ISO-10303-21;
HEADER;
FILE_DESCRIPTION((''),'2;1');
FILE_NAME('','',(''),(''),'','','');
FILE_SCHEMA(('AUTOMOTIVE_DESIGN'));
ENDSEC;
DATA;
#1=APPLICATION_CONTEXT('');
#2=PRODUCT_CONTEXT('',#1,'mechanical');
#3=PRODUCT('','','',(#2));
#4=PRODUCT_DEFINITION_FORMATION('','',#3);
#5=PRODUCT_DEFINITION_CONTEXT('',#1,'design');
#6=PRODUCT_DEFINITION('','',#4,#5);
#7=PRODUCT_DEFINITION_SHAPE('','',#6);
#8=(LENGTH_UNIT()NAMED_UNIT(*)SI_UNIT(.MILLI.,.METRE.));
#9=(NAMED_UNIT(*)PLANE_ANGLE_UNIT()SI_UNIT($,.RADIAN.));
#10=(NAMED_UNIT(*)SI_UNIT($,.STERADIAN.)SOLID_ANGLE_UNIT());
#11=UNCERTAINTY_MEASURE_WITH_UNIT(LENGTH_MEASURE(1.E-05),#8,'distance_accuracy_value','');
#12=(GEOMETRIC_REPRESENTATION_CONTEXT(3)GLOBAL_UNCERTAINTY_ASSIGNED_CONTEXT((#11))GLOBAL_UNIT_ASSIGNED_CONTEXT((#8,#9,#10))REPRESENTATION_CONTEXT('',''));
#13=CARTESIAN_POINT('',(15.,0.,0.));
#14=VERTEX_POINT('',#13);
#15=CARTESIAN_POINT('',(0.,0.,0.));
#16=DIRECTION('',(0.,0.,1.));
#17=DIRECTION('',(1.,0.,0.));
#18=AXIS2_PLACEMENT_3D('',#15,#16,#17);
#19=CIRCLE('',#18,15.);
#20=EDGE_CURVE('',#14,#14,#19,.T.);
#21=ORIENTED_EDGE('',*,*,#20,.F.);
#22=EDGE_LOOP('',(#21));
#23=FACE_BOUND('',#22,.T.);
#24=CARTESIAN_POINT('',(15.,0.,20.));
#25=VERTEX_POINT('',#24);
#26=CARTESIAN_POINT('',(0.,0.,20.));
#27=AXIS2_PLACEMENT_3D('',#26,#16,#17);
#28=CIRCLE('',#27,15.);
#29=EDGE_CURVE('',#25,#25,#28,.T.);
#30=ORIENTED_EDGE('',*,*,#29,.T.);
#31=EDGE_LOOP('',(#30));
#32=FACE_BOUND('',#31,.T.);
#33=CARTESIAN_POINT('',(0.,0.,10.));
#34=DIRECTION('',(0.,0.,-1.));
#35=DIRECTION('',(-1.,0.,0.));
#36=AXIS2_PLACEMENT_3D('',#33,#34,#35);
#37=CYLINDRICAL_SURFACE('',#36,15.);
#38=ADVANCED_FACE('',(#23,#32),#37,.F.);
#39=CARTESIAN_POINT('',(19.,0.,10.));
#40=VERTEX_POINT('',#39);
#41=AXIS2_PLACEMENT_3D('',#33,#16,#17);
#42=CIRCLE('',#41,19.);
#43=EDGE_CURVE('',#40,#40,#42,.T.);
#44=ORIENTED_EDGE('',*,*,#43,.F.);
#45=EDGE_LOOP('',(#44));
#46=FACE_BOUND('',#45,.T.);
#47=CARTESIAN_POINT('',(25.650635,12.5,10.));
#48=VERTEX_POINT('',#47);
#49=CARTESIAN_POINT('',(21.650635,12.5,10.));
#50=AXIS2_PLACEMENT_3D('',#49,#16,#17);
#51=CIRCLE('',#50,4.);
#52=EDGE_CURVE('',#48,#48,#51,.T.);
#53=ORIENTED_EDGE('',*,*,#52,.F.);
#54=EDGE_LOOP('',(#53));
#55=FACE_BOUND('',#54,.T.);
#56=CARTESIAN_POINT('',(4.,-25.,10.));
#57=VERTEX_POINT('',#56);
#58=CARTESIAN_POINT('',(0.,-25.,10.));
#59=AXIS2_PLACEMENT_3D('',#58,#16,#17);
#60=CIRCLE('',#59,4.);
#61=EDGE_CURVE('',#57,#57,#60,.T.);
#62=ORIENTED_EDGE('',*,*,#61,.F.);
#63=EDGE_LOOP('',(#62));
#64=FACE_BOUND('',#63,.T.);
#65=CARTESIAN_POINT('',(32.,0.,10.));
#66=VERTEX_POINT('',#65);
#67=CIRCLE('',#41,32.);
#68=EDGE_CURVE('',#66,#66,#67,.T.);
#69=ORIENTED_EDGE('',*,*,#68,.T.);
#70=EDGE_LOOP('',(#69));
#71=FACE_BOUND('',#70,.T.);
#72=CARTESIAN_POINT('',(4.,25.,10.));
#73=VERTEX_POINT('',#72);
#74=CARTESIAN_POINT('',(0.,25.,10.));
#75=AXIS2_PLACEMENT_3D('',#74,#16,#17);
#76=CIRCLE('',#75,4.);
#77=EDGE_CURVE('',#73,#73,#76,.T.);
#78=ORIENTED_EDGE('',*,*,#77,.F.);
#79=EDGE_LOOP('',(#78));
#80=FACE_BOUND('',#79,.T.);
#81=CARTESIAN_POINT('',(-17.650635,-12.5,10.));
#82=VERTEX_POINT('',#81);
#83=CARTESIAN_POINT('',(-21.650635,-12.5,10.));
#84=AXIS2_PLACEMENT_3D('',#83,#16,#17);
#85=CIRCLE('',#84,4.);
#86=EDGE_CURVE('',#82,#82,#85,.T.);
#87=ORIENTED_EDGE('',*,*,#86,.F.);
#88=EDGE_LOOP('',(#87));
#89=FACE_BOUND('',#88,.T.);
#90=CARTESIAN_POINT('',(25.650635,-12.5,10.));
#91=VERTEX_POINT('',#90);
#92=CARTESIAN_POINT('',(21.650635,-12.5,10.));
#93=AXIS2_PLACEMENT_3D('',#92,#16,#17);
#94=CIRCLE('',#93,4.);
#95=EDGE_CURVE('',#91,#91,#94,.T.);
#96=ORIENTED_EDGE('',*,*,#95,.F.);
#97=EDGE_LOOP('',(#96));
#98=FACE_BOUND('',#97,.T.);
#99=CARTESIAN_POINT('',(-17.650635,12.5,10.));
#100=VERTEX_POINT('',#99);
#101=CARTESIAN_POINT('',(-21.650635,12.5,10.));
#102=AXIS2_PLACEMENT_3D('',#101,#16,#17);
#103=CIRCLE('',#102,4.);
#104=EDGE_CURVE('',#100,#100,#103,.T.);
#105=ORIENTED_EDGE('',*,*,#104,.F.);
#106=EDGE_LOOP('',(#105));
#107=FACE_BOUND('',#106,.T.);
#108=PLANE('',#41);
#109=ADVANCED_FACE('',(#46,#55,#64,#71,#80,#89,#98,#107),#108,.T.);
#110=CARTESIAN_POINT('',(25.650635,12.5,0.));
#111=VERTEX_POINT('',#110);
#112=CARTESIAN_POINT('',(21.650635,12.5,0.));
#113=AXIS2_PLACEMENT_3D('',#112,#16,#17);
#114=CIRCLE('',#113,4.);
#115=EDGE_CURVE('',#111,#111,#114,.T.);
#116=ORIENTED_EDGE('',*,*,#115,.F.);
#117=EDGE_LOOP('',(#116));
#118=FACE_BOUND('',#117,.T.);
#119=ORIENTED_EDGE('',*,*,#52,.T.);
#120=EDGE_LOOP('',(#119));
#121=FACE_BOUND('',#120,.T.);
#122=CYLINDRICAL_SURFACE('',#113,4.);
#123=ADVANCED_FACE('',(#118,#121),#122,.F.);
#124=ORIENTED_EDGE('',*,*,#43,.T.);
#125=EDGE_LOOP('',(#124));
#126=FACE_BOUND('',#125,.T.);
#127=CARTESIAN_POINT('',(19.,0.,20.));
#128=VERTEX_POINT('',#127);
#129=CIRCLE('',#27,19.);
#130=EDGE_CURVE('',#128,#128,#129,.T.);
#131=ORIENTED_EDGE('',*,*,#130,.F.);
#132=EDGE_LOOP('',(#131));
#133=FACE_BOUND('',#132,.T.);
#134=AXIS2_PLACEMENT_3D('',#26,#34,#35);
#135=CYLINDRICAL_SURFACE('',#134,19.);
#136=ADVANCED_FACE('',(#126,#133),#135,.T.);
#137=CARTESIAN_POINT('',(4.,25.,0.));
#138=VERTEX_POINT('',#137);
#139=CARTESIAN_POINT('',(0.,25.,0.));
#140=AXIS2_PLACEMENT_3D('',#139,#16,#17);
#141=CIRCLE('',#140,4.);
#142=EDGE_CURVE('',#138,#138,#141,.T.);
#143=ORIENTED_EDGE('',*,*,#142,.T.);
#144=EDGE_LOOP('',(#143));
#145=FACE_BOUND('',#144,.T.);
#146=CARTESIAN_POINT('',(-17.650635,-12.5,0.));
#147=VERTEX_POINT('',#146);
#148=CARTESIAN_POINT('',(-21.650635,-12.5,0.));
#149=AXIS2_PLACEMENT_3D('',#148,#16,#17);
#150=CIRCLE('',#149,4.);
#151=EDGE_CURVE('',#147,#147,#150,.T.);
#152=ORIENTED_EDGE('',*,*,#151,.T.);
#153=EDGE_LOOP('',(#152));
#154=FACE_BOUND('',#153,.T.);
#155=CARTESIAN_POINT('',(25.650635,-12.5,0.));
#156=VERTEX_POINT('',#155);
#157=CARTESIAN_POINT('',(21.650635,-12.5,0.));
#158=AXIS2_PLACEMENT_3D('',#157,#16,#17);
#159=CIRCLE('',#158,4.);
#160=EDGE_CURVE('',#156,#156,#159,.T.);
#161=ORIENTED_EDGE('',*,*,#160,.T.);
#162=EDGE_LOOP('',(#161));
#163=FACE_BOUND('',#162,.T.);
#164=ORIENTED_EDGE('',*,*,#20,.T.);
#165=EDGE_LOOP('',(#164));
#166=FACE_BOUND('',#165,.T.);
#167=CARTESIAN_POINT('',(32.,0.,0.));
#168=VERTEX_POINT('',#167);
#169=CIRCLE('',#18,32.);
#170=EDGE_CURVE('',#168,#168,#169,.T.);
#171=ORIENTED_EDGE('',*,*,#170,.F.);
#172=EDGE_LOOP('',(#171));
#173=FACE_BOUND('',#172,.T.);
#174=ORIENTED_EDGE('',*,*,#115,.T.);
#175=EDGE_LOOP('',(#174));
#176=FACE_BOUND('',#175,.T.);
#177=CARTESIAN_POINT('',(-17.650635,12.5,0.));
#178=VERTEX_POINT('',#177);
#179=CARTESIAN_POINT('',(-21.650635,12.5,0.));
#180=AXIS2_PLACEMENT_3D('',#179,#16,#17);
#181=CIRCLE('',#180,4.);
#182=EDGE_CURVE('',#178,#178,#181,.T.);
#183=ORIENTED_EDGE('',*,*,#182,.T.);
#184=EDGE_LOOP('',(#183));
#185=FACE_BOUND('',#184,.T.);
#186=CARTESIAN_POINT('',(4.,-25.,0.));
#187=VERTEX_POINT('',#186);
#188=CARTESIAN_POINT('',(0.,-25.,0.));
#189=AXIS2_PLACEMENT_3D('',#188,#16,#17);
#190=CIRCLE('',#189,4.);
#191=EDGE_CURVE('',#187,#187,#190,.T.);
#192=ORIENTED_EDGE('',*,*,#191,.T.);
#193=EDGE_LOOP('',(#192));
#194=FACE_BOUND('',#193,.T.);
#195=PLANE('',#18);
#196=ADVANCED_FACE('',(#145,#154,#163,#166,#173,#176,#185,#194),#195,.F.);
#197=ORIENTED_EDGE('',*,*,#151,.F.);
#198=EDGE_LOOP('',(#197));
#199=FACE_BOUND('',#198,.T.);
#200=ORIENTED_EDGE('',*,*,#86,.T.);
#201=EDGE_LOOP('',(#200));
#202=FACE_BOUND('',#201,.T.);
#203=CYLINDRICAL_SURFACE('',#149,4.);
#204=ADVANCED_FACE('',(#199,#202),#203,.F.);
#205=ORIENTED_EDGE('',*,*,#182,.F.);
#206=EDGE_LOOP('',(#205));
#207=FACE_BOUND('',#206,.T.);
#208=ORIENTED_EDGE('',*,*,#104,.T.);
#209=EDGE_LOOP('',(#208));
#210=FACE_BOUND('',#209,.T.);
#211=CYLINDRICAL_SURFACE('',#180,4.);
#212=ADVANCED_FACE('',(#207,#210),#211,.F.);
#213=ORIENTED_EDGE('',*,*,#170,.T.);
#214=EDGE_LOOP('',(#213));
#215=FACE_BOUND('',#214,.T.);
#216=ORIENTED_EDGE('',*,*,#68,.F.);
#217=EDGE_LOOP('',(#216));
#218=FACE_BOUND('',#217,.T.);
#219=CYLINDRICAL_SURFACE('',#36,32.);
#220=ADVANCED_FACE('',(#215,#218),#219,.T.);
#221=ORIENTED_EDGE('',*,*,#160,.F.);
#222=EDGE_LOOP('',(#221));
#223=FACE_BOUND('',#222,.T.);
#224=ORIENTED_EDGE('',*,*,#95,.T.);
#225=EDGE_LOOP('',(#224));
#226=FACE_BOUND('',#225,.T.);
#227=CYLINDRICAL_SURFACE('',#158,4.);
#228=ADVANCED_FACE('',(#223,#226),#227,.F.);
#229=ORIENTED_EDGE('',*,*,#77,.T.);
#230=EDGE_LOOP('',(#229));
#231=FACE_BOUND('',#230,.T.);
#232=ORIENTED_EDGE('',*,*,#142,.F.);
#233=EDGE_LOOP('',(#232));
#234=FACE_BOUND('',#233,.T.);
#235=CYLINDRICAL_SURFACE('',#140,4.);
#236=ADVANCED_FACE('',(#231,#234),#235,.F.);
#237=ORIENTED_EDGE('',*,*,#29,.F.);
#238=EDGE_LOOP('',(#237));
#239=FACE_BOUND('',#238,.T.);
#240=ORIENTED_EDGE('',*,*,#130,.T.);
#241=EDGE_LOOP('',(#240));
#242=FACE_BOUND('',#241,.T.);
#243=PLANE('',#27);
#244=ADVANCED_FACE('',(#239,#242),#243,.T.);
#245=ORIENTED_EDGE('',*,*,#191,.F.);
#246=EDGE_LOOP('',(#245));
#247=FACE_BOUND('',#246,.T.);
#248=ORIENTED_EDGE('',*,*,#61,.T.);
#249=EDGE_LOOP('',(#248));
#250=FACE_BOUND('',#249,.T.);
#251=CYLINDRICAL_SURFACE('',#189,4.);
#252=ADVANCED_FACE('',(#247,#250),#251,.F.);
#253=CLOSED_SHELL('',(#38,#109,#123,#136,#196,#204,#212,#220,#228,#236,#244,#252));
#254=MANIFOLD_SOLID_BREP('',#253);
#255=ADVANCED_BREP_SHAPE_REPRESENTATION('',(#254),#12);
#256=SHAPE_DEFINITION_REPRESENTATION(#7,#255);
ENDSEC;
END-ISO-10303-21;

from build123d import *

# Parameters (mm, degrees)
SKETCH1_R           = 32
SKETCH1_R_2         = 15
BOSS_EXTRUDE1_DEPTH = 10
SKETCH2_R           = 19
SKETCH2_R_2         = 15
BOSS_EXTRUDE2_DEPTH = 10
SKETCH6_R           = 4
CUT_EXTRUDE1_DEPTH  = 11


with BuildPart() as part:
    # Sketch1 → Boss-Extrude1 (new body)
    with BuildSketch(Plane.XY):
        Circle(SKETCH1_R)
        Circle(SKETCH1_R_2, mode=Mode.SUBTRACT)
    extrude(amount=BOSS_EXTRUDE1_DEPTH)

    # Sketch2 → Boss-Extrude2 (add)
    with BuildSketch(Plane.XY.offset(10)):
        Circle(SKETCH2_R)
        Circle(SKETCH2_R_2, mode=Mode.SUBTRACT)
    extrude(amount=BOSS_EXTRUDE2_DEPTH)

    # Sketch6 → Cut-Extrude1 (cut, through all)
    with BuildSketch(Plane.XY.offset(10)):
        with Locations((-21.650635095, 12.5)):
            Circle(SKETCH6_R)
        with Locations((0, 25)):
            Circle(SKETCH6_R)
        with Locations((21.650635095, 12.5)):
            Circle(SKETCH6_R)
        with Locations((21.650635095, -12.5)):
            Circle(SKETCH6_R)
        with Locations((0, -25)):
            Circle(SKETCH6_R)
        with Locations((-21.650635095, -12.5)):
            Circle(SKETCH6_R)
    extrude(amount=-CUT_EXTRUDE1_DEPTH, mode=Mode.SUBTRACT)


solid = part.part
